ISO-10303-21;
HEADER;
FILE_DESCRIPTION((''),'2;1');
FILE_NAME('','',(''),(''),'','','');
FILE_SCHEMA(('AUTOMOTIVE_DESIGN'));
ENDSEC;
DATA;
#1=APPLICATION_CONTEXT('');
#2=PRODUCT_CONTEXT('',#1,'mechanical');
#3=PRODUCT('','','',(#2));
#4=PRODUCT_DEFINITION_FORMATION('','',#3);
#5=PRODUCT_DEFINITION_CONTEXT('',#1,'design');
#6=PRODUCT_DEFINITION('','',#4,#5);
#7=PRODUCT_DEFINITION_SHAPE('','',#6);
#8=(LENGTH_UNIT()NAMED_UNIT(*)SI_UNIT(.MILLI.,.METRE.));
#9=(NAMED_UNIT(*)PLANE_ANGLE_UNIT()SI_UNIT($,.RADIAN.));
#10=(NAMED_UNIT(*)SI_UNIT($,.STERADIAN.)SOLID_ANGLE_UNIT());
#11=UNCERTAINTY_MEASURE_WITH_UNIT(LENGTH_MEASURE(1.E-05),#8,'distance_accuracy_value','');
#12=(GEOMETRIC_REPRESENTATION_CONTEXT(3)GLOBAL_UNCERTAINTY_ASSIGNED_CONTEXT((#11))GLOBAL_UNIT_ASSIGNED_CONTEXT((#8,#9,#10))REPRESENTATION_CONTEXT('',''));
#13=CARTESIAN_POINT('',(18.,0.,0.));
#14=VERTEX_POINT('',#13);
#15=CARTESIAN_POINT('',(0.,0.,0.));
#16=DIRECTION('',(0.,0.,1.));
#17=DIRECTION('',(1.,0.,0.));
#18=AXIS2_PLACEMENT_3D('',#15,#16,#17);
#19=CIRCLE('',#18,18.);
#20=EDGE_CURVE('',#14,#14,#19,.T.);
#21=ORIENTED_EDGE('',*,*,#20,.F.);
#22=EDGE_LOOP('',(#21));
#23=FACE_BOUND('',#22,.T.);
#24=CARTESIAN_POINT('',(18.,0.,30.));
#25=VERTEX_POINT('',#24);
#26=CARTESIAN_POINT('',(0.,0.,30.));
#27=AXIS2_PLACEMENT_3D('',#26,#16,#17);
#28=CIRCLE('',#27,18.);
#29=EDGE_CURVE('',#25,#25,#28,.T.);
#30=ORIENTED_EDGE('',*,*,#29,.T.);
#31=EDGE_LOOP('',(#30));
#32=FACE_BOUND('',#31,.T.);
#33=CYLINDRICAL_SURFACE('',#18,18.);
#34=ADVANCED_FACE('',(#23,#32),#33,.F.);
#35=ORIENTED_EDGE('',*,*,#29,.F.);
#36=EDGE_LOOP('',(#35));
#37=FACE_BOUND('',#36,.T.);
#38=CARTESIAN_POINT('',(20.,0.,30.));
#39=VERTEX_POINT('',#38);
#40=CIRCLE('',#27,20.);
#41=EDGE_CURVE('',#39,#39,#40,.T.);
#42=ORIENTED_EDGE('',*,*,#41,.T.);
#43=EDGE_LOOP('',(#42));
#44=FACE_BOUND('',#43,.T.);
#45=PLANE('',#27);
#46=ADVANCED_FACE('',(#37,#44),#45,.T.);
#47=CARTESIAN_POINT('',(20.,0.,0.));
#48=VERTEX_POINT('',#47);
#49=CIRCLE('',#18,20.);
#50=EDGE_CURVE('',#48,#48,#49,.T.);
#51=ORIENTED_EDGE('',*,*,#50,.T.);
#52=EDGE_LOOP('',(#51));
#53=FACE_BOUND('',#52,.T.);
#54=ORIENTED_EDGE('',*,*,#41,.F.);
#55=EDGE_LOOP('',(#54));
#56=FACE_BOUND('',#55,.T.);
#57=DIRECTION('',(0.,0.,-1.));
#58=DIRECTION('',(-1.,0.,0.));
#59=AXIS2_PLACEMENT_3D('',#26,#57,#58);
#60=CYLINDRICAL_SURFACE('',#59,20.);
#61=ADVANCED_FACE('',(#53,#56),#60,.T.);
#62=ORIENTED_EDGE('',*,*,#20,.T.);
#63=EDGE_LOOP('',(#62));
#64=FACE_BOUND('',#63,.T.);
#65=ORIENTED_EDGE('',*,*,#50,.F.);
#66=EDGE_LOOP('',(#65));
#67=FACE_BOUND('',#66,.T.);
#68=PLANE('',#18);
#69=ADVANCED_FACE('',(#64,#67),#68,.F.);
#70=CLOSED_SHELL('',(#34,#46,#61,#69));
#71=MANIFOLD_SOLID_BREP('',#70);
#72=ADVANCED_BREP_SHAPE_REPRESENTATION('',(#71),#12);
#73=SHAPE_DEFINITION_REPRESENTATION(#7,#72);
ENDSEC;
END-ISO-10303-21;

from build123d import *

# Parameters (mm, degrees)
SKETCH_1_R          = 20
EXTRUDE_1_DEPTH     = 30
SKETCH_2_R          = 18
CUT_EXTRUDE_1_DEPTH = 42.231056256


with BuildPart() as part:
    # Эскиз1 → Бобышка-Вытянуть1 (new body)
    with BuildSketch(Plane.XY):
        Circle(SKETCH_1_R)
    extrude(amount=EXTRUDE_1_DEPTH)

    # Эскиз2 → Вырез-Вытянуть1 (cut, through all)
    with BuildSketch(Plane.XY.offset(30)):
        Circle(SKETCH_2_R)
    extrude(amount=-CUT_EXTRUDE_1_DEPTH, mode=Mode.SUBTRACT)


solid = part.part
